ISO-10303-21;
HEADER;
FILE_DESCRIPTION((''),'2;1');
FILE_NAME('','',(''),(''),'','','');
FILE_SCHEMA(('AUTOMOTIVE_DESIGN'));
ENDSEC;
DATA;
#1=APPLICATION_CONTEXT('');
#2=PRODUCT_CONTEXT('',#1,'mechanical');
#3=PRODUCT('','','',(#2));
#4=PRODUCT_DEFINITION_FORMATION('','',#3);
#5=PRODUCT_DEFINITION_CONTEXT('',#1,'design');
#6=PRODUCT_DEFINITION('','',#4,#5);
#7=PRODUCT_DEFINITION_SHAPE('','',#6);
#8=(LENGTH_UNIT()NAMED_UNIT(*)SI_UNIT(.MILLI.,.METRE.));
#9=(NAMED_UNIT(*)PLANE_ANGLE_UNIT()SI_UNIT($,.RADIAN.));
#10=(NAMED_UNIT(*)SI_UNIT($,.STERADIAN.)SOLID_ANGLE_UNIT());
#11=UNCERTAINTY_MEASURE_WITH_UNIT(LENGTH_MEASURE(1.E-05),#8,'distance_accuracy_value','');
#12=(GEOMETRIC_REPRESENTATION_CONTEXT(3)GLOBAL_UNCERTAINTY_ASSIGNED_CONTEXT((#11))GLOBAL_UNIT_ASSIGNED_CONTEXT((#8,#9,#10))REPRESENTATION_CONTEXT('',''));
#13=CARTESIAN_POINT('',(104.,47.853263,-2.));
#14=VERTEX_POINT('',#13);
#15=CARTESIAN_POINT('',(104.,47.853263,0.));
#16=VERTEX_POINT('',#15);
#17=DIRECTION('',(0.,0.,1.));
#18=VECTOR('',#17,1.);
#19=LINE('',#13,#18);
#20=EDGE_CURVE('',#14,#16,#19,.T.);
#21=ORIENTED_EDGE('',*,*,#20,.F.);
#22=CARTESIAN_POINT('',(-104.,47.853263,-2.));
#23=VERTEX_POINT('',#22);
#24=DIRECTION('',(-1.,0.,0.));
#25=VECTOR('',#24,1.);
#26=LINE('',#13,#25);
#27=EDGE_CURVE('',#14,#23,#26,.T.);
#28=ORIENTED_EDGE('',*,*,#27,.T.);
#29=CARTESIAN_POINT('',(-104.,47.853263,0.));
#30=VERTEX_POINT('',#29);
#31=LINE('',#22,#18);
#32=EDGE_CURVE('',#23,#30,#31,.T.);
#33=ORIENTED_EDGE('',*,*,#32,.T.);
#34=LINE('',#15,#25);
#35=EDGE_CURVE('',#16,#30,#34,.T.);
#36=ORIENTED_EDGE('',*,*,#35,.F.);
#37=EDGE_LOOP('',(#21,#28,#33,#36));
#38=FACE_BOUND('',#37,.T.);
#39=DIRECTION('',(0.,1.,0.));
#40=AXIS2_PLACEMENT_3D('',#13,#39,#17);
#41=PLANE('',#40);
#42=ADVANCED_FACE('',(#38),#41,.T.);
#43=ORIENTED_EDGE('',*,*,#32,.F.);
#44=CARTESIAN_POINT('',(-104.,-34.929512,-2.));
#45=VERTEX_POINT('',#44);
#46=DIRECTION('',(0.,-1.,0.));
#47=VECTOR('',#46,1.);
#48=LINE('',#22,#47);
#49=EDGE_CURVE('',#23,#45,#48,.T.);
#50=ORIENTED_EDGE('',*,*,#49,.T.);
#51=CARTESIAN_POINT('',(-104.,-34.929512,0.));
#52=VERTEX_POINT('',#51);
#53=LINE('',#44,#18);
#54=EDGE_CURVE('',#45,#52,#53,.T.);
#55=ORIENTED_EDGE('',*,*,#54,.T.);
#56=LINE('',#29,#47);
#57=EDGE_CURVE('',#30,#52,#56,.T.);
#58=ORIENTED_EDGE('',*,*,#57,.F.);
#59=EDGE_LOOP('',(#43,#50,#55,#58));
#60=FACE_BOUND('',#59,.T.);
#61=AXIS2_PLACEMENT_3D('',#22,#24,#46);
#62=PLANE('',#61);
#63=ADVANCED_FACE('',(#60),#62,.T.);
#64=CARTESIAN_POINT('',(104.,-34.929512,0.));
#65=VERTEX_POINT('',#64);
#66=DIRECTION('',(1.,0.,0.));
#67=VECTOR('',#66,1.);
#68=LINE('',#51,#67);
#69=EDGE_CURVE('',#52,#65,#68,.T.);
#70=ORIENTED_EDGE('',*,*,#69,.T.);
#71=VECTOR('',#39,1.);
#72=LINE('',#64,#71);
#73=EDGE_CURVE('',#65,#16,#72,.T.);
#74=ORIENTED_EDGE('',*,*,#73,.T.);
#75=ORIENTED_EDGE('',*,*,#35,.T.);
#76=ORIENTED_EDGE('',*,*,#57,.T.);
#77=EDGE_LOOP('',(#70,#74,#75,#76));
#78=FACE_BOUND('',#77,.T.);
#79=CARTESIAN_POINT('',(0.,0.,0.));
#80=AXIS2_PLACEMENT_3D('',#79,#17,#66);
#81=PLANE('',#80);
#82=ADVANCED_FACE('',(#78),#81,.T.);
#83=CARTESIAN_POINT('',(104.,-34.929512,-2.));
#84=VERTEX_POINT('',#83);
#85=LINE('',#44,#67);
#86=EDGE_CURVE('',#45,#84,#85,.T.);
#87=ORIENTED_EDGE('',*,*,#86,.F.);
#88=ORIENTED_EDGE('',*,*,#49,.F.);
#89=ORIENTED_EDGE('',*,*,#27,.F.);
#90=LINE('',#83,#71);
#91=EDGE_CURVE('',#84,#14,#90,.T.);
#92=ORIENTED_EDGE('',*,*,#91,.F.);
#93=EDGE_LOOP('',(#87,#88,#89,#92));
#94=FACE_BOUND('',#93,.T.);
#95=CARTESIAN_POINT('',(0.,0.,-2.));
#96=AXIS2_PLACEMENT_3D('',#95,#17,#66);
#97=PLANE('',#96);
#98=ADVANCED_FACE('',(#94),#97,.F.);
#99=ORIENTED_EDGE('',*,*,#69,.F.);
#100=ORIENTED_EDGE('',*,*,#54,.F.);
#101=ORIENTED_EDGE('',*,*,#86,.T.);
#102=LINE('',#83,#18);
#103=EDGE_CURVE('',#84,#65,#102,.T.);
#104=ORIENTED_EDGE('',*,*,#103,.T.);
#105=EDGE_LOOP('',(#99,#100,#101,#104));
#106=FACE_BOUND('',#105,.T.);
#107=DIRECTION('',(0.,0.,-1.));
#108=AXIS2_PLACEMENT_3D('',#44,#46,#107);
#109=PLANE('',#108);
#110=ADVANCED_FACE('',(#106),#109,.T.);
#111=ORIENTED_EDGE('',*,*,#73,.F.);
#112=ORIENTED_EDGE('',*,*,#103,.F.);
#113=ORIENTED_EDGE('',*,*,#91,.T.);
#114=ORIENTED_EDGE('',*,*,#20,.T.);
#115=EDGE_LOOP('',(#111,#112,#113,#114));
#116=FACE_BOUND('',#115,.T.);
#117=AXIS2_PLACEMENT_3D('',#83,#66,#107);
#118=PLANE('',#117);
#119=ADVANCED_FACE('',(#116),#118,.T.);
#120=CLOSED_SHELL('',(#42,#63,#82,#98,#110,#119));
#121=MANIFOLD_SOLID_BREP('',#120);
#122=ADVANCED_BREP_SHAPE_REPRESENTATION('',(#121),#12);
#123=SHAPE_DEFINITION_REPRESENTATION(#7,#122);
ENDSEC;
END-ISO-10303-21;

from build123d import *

# Parameters (mm, degrees)
SKETCH1_W           = 208
SKETCH1_H           = 82.78277479
BOSS_EXTRUDE1_DEPTH = 2


with BuildPart() as part:
    # Sketch1 → Boss-Extrude1 (new body)
    with BuildSketch(Plane.XY):
        with Locations((0, 6.461875561)):
            Rectangle(SKETCH1_W, SKETCH1_H)
    extrude(amount=-BOSS_EXTRUDE1_DEPTH)


solid = part.part
